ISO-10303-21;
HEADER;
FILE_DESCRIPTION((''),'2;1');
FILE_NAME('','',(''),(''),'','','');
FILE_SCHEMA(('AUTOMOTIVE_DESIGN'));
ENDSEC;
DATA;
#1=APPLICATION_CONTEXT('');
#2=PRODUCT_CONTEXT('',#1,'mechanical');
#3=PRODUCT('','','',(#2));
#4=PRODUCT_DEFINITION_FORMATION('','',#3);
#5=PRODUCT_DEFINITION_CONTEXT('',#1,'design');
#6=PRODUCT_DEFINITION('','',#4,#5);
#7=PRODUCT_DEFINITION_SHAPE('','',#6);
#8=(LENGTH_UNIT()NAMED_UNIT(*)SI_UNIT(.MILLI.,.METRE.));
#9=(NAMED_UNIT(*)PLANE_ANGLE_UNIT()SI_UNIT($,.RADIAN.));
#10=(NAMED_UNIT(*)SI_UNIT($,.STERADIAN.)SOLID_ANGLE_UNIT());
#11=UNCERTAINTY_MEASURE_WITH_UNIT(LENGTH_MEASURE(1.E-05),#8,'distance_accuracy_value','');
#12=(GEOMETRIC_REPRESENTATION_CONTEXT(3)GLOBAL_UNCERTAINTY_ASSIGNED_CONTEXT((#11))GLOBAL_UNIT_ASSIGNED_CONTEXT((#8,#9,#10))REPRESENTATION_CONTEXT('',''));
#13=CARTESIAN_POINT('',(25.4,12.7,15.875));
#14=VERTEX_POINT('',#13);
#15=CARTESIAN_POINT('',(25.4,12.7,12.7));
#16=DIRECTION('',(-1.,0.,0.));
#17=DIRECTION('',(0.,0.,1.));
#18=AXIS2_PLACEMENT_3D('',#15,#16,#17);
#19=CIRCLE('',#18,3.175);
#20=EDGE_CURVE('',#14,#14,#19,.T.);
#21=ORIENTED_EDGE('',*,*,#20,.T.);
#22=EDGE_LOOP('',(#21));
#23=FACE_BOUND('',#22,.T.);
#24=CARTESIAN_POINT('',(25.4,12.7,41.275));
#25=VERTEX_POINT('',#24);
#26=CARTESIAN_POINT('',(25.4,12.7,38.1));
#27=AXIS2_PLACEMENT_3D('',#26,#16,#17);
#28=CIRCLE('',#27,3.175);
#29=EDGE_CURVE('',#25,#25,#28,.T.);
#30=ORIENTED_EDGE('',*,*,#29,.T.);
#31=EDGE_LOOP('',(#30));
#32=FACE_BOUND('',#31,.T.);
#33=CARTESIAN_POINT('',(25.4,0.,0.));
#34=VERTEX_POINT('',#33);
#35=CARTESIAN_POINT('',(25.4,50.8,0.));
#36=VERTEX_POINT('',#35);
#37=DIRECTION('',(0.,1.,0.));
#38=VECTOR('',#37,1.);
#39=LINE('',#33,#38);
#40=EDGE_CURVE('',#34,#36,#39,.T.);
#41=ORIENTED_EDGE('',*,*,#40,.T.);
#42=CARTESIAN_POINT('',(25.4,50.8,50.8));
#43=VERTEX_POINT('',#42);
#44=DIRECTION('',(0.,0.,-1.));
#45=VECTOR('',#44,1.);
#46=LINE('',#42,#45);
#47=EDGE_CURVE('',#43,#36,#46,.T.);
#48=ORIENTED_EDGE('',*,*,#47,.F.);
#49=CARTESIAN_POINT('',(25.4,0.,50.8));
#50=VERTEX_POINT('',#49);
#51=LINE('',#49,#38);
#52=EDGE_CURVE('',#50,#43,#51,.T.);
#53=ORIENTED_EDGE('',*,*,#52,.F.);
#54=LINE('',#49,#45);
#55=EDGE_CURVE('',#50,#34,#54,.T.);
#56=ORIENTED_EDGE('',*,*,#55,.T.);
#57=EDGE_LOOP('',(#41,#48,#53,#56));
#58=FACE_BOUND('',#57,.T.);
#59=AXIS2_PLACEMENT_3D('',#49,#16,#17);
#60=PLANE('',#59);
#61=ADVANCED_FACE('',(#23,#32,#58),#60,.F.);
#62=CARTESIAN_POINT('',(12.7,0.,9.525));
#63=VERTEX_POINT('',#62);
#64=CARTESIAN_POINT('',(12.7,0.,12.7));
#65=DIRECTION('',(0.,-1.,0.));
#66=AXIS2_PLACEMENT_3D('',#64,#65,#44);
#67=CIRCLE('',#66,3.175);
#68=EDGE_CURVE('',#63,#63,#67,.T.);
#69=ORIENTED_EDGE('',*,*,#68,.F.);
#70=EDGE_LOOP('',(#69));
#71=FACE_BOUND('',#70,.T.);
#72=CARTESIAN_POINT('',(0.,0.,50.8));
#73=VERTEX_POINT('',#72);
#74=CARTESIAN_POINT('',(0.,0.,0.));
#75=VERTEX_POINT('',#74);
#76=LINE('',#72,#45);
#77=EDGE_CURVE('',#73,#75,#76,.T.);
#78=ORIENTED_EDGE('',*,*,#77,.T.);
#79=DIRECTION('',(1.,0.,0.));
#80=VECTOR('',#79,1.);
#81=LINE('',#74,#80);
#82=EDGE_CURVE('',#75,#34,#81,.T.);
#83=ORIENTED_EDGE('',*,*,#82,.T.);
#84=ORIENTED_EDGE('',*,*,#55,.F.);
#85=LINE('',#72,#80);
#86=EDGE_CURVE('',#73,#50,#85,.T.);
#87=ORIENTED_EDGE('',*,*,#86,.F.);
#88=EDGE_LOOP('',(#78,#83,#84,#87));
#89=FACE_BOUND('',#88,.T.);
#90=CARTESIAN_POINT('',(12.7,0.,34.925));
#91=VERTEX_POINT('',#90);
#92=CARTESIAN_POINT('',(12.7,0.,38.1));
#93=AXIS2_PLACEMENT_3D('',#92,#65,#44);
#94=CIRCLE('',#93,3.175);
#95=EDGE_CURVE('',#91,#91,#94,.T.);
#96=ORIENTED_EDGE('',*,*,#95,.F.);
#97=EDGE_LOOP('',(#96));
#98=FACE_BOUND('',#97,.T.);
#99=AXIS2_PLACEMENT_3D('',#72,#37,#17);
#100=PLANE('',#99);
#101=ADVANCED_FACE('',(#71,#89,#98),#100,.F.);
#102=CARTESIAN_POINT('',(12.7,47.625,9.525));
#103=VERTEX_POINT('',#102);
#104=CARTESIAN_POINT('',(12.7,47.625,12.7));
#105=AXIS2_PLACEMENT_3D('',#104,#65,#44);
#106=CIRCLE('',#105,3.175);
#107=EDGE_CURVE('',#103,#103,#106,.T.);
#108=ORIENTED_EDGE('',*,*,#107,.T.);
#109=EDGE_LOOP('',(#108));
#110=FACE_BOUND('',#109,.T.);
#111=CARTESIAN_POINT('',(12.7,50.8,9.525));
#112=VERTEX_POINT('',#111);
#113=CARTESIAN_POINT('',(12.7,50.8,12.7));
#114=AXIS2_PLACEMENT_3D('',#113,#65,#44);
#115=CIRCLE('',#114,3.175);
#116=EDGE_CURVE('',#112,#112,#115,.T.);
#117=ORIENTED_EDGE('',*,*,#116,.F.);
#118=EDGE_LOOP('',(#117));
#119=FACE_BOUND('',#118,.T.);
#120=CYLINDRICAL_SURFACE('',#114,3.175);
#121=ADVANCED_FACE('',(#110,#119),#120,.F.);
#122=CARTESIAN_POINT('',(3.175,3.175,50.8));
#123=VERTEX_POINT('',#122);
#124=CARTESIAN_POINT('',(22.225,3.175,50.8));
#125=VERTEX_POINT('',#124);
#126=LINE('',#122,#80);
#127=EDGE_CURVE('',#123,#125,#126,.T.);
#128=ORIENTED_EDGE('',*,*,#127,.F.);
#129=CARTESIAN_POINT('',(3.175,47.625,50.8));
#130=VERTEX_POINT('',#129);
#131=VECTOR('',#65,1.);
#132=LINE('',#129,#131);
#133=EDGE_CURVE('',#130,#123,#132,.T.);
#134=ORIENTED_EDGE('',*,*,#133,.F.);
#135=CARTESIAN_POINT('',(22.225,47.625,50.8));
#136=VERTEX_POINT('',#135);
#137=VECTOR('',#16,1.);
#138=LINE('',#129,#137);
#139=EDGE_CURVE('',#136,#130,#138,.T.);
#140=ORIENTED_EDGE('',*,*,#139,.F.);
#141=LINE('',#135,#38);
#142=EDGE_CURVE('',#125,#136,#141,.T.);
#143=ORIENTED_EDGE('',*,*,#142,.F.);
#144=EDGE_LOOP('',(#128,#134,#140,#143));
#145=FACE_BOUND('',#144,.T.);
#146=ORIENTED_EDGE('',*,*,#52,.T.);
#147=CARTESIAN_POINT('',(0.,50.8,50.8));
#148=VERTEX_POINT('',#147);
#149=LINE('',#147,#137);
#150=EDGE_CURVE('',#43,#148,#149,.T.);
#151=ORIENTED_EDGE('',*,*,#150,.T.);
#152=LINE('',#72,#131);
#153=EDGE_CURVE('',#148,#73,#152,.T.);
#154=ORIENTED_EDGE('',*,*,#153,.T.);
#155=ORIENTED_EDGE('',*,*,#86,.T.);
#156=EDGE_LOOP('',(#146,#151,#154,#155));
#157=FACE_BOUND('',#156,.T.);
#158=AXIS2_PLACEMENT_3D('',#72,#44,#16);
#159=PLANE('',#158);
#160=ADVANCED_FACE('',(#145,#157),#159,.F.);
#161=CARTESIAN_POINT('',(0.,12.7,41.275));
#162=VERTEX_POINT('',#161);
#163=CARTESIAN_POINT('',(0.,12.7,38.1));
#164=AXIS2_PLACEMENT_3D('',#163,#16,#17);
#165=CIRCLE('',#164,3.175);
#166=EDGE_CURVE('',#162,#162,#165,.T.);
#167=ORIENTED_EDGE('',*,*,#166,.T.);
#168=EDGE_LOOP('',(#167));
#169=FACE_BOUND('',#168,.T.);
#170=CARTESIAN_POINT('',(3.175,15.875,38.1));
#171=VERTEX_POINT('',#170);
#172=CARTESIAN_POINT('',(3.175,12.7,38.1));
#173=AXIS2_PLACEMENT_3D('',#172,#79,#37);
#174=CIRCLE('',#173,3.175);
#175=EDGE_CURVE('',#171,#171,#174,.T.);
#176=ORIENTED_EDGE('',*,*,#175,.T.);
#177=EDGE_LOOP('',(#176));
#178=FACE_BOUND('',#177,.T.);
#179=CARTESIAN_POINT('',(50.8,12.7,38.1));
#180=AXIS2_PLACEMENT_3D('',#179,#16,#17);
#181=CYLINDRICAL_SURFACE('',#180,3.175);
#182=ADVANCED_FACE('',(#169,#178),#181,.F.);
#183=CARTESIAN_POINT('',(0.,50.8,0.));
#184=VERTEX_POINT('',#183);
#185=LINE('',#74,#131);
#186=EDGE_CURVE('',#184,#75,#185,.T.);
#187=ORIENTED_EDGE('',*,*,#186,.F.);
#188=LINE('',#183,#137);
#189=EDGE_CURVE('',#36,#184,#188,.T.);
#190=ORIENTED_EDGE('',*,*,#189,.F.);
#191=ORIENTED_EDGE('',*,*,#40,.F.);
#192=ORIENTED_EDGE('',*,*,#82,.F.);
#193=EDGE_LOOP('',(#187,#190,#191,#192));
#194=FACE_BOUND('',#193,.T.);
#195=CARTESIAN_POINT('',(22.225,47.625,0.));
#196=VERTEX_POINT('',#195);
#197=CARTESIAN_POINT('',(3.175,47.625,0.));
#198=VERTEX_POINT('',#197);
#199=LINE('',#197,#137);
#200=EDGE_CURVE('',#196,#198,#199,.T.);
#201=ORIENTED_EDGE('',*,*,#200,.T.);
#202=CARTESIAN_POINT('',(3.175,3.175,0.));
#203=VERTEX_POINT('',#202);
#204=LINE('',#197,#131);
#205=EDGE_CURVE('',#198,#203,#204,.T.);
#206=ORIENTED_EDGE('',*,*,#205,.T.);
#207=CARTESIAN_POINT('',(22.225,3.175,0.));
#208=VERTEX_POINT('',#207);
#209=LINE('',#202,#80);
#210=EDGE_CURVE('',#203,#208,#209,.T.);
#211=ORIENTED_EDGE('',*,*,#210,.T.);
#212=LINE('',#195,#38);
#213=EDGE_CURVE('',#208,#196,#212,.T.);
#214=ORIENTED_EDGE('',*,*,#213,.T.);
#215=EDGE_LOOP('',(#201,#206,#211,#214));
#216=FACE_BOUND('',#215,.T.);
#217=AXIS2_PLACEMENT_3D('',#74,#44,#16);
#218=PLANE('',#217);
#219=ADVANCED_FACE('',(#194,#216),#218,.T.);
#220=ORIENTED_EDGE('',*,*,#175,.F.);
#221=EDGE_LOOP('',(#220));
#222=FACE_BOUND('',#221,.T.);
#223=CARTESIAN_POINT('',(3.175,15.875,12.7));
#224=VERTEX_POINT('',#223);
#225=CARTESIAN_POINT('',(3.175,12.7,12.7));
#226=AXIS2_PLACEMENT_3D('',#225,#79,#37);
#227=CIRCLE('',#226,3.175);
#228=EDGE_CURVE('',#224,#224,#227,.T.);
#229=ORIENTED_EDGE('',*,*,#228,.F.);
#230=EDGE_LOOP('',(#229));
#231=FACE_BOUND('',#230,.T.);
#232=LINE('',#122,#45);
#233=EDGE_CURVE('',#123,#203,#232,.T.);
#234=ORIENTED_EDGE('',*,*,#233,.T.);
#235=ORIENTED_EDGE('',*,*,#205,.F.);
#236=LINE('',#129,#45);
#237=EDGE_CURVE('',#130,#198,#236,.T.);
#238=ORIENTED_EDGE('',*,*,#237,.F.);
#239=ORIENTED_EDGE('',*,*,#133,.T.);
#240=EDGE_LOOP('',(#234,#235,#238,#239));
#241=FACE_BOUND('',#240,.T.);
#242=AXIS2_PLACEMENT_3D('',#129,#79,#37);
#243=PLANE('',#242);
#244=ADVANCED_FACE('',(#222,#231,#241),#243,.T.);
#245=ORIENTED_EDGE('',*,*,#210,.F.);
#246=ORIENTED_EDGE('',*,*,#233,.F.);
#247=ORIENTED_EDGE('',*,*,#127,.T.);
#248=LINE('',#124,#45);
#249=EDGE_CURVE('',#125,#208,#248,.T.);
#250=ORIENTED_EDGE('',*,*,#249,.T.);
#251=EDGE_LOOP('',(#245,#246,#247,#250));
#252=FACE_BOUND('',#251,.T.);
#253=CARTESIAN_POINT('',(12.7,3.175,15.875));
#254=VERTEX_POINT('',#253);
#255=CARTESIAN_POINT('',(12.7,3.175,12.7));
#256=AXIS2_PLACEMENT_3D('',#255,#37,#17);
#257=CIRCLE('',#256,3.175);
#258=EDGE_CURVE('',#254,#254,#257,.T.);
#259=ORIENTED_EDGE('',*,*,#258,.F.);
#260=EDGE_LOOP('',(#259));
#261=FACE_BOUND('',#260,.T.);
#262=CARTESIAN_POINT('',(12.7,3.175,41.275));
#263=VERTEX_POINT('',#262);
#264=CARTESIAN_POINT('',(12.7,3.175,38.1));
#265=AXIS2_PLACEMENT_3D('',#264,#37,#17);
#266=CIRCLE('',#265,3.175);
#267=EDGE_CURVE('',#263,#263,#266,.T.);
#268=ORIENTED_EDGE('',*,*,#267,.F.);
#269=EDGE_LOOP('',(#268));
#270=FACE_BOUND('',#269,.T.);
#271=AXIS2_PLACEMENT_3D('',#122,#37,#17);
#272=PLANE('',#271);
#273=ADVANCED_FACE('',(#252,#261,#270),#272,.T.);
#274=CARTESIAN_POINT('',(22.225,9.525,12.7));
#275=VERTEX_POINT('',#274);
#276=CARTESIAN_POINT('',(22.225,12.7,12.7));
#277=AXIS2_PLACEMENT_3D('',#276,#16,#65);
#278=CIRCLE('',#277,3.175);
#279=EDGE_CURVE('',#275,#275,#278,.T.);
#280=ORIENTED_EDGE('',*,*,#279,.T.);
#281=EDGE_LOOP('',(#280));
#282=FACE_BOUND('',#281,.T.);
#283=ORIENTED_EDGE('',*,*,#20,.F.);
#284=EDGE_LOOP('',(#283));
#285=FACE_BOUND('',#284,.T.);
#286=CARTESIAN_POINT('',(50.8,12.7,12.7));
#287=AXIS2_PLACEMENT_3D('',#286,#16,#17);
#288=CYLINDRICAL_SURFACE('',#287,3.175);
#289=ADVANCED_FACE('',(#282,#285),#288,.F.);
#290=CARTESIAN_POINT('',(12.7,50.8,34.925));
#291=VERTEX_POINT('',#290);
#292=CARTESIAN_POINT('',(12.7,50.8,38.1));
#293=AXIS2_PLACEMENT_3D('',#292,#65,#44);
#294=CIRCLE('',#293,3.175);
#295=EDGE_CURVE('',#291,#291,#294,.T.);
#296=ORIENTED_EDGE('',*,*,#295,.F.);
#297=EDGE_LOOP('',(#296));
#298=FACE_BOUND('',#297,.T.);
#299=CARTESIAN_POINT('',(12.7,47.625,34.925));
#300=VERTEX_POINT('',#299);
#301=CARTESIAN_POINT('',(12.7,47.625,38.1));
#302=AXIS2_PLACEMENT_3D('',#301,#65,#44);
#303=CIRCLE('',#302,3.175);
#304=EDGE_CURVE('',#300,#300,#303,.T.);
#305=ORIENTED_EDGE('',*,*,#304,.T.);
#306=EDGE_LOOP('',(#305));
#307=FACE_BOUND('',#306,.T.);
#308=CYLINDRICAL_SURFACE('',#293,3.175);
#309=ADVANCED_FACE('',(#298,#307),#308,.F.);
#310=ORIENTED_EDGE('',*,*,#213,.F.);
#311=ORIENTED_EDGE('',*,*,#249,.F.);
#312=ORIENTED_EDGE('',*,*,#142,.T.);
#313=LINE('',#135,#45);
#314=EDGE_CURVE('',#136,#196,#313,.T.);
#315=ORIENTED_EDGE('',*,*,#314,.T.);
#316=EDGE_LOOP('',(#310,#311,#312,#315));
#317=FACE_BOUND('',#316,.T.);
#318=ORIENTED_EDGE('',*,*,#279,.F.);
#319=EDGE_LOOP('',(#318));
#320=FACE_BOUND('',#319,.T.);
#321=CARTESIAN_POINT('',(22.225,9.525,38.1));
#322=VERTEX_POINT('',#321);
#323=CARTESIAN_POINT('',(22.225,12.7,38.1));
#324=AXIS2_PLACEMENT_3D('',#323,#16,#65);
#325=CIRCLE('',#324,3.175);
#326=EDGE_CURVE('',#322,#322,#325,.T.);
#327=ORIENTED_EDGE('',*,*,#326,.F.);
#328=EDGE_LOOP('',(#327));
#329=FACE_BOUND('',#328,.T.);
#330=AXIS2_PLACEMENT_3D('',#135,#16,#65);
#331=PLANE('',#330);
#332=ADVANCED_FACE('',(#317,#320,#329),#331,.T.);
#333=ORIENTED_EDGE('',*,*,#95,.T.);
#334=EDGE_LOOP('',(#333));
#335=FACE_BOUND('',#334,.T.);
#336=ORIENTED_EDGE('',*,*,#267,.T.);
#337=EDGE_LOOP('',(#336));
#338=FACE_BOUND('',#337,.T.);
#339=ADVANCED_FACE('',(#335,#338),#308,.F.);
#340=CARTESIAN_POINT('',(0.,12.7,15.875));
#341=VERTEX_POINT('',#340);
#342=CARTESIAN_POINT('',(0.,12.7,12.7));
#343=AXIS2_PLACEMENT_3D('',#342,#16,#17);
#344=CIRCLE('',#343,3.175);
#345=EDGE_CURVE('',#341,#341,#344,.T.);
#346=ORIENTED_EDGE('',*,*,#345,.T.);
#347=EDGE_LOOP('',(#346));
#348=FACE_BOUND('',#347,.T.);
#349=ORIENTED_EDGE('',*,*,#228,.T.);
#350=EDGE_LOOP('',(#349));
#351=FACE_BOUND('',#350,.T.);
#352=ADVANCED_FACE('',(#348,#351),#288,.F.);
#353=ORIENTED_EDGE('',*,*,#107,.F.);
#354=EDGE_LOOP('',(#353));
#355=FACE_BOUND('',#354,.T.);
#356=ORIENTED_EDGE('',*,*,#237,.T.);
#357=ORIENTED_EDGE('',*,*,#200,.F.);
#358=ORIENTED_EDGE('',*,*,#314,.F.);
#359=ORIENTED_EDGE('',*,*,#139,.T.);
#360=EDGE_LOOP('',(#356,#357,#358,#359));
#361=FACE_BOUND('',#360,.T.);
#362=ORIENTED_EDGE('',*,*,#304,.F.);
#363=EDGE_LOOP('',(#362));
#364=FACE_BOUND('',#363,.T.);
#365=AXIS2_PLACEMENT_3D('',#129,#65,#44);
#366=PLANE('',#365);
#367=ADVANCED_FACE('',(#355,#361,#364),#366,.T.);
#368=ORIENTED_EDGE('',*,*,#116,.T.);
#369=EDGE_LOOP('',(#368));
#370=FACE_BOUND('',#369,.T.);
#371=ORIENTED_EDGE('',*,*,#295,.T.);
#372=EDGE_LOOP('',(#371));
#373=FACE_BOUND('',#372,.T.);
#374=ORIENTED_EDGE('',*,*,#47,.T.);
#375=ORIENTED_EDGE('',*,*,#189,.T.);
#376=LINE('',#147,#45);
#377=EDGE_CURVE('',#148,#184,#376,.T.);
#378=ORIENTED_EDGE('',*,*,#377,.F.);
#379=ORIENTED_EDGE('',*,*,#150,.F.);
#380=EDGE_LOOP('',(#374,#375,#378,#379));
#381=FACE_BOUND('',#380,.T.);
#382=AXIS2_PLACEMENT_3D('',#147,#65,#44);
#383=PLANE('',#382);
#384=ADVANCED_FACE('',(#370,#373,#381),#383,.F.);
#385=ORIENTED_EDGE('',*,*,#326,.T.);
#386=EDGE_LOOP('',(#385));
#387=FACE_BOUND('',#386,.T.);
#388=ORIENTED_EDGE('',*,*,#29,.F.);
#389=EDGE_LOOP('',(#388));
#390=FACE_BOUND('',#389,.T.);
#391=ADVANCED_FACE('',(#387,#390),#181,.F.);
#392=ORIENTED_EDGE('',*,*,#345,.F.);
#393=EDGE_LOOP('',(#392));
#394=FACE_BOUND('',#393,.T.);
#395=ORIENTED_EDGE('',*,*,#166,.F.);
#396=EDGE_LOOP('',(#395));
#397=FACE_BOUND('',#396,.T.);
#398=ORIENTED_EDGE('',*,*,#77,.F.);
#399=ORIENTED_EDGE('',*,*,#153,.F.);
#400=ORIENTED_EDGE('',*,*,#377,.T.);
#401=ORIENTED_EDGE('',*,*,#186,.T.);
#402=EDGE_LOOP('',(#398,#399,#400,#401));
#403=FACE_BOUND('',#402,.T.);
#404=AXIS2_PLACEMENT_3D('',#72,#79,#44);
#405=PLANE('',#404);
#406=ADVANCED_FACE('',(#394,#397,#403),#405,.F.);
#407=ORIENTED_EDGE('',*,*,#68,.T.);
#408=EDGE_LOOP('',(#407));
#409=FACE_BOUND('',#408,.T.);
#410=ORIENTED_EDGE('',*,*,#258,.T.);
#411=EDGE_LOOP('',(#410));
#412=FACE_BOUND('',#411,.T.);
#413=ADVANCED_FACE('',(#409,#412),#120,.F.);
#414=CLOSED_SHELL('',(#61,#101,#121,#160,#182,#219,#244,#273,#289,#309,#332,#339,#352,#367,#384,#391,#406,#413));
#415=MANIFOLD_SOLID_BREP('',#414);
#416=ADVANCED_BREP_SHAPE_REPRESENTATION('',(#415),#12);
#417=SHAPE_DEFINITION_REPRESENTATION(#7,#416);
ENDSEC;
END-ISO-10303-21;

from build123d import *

# Parameters (mm, degrees)
SKETCH1_W           = 25.4
SKETCH1_H           = 50.8
SKETCH1_W_2         = 19.05
SKETCH1_H_2         = 44.45
BOSS_EXTRUDE1_DEPTH = 50.8
SKETCH2_R           = 3.175
CUT_EXTRUDE1_DEPTH  = 50.8
SKETCH3_R           = 3.175
CUT_EXTRUDE2_DEPTH  = 50.8


with BuildPart() as part:
    # Sketch1 → Boss-Extrude1 (new body)
    with BuildSketch(Plane.XY):
        with Locations((12.7, 25.4)):
            Rectangle(SKETCH1_W, SKETCH1_H)
        with Locations((12.7, 25.4)):
            Rectangle(SKETCH1_W_2, SKETCH1_H_2, mode=Mode.SUBTRACT)
    extrude(amount=BOSS_EXTRUDE1_DEPTH)

    # Sketch2 → Cut-Extrude1 (cut)
    with BuildSketch(Plane.XZ):
        with Locations(Location((12.7, 38.1, 0), (0, 0, 270))):
            Circle(SKETCH2_R)
        with Locations(Location((12.7, 12.7, 0), (0, 0, 270))):
            Circle(SKETCH2_R)
    extrude(amount=-CUT_EXTRUDE1_DEPTH, mode=Mode.SUBTRACT)

    # Sketch3 → Cut-Extrude2 (cut)
    with BuildSketch(Plane.ZY):
        with Locations((38.1, 12.7)):
            Circle(SKETCH3_R)
        with Locations((12.7, 12.7)):
            Circle(SKETCH3_R)
    extrude(amount=-CUT_EXTRUDE2_DEPTH, mode=Mode.SUBTRACT)


solid = part.part
